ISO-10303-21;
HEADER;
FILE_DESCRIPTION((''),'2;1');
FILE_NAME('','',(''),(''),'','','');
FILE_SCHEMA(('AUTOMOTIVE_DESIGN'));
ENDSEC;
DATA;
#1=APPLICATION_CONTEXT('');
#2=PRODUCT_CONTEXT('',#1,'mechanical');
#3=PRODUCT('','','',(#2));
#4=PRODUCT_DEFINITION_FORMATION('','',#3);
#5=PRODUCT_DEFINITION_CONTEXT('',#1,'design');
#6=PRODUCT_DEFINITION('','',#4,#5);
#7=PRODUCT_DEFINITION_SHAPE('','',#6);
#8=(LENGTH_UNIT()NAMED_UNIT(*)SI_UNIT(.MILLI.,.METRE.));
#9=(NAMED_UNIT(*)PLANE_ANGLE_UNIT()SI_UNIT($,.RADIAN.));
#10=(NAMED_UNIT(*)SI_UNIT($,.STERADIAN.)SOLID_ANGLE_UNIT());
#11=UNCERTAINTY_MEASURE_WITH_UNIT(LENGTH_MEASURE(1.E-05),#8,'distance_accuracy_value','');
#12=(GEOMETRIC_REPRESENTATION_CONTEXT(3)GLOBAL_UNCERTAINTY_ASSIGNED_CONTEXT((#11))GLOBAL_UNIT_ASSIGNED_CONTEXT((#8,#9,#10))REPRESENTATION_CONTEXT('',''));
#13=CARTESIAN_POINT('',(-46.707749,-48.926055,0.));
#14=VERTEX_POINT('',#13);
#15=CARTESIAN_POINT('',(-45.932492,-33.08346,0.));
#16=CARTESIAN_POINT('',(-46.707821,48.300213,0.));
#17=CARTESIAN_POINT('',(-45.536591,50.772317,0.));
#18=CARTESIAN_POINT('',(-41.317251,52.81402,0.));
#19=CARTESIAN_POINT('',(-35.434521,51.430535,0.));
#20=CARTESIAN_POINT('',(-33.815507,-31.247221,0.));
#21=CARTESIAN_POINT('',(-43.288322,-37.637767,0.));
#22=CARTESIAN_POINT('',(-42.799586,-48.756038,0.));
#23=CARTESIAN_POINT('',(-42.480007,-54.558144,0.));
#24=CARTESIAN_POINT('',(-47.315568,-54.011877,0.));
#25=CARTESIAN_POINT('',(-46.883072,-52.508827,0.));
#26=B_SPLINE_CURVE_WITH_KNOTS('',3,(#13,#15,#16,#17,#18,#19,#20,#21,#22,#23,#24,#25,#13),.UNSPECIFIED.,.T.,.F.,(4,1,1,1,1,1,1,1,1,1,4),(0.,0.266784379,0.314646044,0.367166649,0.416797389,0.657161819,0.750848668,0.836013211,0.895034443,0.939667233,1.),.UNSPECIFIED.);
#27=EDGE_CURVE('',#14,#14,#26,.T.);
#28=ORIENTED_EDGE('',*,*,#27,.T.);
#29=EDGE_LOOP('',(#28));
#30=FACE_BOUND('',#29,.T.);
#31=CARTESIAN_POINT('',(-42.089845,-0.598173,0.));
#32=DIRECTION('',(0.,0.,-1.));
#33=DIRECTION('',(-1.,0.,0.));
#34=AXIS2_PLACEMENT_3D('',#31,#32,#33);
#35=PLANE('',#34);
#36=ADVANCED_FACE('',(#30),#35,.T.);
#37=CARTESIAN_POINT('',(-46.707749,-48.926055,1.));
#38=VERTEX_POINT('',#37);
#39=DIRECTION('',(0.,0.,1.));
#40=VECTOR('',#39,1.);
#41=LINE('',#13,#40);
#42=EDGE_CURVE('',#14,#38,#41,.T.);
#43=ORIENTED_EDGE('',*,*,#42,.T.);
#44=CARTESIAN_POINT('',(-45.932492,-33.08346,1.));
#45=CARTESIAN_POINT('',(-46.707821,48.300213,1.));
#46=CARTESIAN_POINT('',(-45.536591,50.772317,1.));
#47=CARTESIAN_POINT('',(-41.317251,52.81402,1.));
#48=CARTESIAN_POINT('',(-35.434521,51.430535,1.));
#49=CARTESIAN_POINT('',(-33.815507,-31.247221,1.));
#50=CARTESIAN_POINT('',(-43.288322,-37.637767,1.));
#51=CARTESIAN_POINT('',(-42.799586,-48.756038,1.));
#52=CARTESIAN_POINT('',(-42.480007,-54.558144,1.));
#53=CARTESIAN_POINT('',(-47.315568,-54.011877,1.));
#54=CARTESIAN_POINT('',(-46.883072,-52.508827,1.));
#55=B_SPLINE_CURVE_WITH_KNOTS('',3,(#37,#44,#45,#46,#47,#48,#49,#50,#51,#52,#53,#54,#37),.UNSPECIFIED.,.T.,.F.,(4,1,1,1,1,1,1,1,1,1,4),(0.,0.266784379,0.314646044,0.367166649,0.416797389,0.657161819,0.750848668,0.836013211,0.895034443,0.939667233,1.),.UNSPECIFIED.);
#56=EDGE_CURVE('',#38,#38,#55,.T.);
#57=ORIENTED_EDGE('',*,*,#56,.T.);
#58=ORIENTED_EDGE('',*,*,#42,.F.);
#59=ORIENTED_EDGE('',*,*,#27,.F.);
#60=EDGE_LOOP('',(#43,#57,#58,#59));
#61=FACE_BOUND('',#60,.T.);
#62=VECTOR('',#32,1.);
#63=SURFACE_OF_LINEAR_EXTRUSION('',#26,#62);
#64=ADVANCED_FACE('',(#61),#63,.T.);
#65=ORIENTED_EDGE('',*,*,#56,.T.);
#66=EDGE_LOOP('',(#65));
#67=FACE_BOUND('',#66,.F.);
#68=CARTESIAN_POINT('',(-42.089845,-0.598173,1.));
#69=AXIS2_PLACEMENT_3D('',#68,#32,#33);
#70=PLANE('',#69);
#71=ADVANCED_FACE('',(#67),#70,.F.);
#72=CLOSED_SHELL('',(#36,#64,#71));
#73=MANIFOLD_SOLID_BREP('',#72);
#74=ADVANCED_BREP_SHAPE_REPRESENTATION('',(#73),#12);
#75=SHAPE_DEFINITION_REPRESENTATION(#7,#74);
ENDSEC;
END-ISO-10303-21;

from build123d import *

# Parameters (mm, degrees)
F1_DEPTH = 1


with BuildPart() as f1:
    # F0 (on Top) → F1 (new body)
    with BuildSketch(Plane.XY):
        with BuildLine():
            add(Edge.make_bspline(
                [(-46.7077493668, -48.9260554314), (-45.9324920189, -33.0834601218), (-46.7078205416, 48.3002130875), (-45.5365911118, 50.7723172577), (-41.3172512576, 52.8140195927), (-35.4345208298, 51.4305354974), (-33.8155074316, -31.2472210663), (-43.2883221097, -37.637767082), (-42.7995863611, -48.7560380941), (-42.4800068838, -54.5581444311), (-47.3155683212, -54.0118767899), (-46.8830723054, -52.5088274922), (-46.7077493668, -48.9260554314)],
                knots=[0, 0, 0, 0, 0.2667843787, 0.3146460444, 0.367166649, 0.4167973887, 0.6571618195, 0.7508486676, 0.8360132108, 0.8950344432, 0.9396672326, 1, 1, 1, 1], degree=3))
        make_face()
    extrude(amount=F1_DEPTH)


solid = f1.part
